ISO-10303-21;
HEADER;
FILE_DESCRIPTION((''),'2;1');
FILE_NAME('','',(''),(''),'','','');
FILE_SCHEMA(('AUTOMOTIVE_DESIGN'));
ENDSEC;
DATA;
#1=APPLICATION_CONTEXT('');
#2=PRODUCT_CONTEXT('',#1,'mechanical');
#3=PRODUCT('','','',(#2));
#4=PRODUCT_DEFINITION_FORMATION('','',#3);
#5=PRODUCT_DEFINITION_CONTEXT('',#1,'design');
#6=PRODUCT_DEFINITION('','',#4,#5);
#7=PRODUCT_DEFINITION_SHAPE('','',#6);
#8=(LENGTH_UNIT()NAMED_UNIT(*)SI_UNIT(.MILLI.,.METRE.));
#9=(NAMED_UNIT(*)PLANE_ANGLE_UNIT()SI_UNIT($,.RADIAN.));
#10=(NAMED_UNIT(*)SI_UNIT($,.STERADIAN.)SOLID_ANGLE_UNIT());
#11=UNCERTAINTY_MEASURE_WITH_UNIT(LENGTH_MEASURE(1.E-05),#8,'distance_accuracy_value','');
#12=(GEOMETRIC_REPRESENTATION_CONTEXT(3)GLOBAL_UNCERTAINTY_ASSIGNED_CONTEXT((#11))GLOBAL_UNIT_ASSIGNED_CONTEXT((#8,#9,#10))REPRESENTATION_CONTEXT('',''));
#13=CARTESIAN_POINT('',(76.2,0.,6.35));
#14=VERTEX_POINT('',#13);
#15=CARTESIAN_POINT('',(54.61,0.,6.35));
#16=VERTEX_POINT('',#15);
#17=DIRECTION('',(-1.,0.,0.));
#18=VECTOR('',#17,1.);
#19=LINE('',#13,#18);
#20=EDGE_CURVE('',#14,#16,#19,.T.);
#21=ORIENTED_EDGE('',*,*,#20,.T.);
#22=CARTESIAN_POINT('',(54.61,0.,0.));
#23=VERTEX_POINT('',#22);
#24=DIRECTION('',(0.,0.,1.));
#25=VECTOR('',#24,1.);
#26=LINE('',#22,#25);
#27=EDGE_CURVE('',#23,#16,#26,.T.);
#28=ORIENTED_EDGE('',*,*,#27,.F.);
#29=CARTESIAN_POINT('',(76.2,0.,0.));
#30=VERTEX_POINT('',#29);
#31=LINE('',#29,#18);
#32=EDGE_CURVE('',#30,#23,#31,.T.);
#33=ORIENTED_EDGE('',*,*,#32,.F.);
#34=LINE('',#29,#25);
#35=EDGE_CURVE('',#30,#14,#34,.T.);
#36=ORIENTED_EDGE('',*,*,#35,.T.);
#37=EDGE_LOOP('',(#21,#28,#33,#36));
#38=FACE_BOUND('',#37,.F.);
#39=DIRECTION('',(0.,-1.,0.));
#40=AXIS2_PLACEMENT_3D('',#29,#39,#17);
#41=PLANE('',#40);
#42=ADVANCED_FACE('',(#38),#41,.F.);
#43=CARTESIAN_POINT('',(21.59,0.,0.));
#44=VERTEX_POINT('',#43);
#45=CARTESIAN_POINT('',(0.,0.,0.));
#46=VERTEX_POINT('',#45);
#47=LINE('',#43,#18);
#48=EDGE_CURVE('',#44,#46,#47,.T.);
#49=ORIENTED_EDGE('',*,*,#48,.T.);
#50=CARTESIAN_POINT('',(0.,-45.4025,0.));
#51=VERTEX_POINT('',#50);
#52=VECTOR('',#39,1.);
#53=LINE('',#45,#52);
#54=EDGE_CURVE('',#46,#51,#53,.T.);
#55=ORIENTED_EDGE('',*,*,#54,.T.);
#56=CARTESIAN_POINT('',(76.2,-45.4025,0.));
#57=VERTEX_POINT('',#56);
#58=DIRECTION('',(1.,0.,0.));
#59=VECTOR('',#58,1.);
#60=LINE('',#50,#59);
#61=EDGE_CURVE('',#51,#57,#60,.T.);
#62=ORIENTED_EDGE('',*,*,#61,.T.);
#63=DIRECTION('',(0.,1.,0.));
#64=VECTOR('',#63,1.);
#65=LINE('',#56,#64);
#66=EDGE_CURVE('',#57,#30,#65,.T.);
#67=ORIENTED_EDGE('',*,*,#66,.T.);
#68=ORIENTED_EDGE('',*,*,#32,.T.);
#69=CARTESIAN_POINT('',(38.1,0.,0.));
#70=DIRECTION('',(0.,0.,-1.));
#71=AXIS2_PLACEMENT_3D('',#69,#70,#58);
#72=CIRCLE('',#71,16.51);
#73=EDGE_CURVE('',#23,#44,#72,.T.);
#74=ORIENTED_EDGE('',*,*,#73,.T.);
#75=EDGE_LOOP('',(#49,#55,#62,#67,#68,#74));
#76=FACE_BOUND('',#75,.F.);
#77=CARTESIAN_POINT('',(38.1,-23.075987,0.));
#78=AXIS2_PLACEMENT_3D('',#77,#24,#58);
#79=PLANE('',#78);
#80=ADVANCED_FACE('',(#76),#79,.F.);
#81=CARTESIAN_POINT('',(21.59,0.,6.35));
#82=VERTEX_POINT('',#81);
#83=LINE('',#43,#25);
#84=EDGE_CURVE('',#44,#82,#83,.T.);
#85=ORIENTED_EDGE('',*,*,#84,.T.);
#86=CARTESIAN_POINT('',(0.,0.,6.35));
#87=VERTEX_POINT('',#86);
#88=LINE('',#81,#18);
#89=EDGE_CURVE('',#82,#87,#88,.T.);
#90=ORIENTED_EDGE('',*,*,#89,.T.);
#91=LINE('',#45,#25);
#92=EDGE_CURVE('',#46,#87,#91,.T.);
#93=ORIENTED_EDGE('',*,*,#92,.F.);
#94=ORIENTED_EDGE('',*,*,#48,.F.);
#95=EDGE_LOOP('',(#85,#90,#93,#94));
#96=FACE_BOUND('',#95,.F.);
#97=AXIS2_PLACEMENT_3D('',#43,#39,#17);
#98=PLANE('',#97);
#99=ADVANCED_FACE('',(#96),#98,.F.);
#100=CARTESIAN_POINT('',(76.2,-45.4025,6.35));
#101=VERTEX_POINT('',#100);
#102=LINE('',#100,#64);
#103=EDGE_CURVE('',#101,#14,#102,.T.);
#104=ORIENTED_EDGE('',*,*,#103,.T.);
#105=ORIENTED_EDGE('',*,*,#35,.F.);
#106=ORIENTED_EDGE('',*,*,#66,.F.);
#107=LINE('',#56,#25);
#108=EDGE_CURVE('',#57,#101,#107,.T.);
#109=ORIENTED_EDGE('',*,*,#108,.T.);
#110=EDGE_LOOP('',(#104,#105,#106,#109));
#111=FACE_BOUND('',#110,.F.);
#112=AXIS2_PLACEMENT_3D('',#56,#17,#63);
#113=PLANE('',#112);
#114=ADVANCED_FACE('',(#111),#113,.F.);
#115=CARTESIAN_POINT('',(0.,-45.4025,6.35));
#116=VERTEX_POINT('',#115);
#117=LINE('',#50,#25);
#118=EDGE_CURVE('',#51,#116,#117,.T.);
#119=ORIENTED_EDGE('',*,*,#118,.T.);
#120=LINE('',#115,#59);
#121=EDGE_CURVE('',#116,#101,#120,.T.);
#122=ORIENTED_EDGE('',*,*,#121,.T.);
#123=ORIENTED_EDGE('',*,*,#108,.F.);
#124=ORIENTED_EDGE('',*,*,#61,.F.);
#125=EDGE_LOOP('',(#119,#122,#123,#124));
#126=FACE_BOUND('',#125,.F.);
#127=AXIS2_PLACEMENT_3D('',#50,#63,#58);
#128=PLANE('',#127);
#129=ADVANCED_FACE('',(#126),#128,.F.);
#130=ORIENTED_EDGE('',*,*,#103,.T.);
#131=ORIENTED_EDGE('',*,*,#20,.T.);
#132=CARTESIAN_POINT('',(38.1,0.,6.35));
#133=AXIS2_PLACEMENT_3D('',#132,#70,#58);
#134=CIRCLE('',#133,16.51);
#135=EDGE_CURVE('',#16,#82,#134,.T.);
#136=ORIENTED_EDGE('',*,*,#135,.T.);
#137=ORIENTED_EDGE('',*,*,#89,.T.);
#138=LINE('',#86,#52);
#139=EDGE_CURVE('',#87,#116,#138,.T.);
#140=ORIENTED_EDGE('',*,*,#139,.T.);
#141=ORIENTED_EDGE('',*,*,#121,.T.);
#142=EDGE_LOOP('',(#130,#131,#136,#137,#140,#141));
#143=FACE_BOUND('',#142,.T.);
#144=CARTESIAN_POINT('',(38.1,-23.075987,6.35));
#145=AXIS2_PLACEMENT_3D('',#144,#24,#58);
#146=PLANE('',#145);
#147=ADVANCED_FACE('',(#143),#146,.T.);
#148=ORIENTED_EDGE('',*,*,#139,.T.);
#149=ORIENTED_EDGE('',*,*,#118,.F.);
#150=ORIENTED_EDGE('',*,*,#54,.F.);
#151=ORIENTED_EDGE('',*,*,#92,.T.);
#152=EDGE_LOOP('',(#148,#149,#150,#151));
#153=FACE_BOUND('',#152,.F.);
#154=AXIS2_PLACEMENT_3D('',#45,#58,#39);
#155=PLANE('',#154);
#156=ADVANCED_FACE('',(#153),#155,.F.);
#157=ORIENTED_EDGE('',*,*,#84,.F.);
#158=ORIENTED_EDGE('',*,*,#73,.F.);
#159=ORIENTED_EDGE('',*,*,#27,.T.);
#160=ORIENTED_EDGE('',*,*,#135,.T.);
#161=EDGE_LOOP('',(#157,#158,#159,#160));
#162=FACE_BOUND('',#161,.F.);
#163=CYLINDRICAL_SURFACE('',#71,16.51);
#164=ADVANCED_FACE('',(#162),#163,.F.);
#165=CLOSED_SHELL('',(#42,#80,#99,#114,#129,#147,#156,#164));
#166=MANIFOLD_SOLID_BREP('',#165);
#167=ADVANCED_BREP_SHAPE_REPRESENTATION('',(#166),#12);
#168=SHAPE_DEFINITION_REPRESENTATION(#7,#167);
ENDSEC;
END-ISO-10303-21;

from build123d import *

# Parameters (mm, degrees)
F1_DEPTH = 6.35


with BuildPart() as f1:
    # F0 (on Top) → F1 (new body)
    with BuildSketch(Plane.XY):
        with BuildLine():
            Line((21.59, 0), (0, 0))
            Line((0, 0), (0, -45.4025))
            Line((0, -45.4025), (76.2, -45.4025))
            Line((76.2, -45.4025), (76.2, 0))
            Line((76.2, 0), (54.61, 0))
            ThreePointArc((54.61, 0), (38.1, -16.51), (21.59, 0))
        make_face()
    extrude(amount=F1_DEPTH)


solid = f1.part
